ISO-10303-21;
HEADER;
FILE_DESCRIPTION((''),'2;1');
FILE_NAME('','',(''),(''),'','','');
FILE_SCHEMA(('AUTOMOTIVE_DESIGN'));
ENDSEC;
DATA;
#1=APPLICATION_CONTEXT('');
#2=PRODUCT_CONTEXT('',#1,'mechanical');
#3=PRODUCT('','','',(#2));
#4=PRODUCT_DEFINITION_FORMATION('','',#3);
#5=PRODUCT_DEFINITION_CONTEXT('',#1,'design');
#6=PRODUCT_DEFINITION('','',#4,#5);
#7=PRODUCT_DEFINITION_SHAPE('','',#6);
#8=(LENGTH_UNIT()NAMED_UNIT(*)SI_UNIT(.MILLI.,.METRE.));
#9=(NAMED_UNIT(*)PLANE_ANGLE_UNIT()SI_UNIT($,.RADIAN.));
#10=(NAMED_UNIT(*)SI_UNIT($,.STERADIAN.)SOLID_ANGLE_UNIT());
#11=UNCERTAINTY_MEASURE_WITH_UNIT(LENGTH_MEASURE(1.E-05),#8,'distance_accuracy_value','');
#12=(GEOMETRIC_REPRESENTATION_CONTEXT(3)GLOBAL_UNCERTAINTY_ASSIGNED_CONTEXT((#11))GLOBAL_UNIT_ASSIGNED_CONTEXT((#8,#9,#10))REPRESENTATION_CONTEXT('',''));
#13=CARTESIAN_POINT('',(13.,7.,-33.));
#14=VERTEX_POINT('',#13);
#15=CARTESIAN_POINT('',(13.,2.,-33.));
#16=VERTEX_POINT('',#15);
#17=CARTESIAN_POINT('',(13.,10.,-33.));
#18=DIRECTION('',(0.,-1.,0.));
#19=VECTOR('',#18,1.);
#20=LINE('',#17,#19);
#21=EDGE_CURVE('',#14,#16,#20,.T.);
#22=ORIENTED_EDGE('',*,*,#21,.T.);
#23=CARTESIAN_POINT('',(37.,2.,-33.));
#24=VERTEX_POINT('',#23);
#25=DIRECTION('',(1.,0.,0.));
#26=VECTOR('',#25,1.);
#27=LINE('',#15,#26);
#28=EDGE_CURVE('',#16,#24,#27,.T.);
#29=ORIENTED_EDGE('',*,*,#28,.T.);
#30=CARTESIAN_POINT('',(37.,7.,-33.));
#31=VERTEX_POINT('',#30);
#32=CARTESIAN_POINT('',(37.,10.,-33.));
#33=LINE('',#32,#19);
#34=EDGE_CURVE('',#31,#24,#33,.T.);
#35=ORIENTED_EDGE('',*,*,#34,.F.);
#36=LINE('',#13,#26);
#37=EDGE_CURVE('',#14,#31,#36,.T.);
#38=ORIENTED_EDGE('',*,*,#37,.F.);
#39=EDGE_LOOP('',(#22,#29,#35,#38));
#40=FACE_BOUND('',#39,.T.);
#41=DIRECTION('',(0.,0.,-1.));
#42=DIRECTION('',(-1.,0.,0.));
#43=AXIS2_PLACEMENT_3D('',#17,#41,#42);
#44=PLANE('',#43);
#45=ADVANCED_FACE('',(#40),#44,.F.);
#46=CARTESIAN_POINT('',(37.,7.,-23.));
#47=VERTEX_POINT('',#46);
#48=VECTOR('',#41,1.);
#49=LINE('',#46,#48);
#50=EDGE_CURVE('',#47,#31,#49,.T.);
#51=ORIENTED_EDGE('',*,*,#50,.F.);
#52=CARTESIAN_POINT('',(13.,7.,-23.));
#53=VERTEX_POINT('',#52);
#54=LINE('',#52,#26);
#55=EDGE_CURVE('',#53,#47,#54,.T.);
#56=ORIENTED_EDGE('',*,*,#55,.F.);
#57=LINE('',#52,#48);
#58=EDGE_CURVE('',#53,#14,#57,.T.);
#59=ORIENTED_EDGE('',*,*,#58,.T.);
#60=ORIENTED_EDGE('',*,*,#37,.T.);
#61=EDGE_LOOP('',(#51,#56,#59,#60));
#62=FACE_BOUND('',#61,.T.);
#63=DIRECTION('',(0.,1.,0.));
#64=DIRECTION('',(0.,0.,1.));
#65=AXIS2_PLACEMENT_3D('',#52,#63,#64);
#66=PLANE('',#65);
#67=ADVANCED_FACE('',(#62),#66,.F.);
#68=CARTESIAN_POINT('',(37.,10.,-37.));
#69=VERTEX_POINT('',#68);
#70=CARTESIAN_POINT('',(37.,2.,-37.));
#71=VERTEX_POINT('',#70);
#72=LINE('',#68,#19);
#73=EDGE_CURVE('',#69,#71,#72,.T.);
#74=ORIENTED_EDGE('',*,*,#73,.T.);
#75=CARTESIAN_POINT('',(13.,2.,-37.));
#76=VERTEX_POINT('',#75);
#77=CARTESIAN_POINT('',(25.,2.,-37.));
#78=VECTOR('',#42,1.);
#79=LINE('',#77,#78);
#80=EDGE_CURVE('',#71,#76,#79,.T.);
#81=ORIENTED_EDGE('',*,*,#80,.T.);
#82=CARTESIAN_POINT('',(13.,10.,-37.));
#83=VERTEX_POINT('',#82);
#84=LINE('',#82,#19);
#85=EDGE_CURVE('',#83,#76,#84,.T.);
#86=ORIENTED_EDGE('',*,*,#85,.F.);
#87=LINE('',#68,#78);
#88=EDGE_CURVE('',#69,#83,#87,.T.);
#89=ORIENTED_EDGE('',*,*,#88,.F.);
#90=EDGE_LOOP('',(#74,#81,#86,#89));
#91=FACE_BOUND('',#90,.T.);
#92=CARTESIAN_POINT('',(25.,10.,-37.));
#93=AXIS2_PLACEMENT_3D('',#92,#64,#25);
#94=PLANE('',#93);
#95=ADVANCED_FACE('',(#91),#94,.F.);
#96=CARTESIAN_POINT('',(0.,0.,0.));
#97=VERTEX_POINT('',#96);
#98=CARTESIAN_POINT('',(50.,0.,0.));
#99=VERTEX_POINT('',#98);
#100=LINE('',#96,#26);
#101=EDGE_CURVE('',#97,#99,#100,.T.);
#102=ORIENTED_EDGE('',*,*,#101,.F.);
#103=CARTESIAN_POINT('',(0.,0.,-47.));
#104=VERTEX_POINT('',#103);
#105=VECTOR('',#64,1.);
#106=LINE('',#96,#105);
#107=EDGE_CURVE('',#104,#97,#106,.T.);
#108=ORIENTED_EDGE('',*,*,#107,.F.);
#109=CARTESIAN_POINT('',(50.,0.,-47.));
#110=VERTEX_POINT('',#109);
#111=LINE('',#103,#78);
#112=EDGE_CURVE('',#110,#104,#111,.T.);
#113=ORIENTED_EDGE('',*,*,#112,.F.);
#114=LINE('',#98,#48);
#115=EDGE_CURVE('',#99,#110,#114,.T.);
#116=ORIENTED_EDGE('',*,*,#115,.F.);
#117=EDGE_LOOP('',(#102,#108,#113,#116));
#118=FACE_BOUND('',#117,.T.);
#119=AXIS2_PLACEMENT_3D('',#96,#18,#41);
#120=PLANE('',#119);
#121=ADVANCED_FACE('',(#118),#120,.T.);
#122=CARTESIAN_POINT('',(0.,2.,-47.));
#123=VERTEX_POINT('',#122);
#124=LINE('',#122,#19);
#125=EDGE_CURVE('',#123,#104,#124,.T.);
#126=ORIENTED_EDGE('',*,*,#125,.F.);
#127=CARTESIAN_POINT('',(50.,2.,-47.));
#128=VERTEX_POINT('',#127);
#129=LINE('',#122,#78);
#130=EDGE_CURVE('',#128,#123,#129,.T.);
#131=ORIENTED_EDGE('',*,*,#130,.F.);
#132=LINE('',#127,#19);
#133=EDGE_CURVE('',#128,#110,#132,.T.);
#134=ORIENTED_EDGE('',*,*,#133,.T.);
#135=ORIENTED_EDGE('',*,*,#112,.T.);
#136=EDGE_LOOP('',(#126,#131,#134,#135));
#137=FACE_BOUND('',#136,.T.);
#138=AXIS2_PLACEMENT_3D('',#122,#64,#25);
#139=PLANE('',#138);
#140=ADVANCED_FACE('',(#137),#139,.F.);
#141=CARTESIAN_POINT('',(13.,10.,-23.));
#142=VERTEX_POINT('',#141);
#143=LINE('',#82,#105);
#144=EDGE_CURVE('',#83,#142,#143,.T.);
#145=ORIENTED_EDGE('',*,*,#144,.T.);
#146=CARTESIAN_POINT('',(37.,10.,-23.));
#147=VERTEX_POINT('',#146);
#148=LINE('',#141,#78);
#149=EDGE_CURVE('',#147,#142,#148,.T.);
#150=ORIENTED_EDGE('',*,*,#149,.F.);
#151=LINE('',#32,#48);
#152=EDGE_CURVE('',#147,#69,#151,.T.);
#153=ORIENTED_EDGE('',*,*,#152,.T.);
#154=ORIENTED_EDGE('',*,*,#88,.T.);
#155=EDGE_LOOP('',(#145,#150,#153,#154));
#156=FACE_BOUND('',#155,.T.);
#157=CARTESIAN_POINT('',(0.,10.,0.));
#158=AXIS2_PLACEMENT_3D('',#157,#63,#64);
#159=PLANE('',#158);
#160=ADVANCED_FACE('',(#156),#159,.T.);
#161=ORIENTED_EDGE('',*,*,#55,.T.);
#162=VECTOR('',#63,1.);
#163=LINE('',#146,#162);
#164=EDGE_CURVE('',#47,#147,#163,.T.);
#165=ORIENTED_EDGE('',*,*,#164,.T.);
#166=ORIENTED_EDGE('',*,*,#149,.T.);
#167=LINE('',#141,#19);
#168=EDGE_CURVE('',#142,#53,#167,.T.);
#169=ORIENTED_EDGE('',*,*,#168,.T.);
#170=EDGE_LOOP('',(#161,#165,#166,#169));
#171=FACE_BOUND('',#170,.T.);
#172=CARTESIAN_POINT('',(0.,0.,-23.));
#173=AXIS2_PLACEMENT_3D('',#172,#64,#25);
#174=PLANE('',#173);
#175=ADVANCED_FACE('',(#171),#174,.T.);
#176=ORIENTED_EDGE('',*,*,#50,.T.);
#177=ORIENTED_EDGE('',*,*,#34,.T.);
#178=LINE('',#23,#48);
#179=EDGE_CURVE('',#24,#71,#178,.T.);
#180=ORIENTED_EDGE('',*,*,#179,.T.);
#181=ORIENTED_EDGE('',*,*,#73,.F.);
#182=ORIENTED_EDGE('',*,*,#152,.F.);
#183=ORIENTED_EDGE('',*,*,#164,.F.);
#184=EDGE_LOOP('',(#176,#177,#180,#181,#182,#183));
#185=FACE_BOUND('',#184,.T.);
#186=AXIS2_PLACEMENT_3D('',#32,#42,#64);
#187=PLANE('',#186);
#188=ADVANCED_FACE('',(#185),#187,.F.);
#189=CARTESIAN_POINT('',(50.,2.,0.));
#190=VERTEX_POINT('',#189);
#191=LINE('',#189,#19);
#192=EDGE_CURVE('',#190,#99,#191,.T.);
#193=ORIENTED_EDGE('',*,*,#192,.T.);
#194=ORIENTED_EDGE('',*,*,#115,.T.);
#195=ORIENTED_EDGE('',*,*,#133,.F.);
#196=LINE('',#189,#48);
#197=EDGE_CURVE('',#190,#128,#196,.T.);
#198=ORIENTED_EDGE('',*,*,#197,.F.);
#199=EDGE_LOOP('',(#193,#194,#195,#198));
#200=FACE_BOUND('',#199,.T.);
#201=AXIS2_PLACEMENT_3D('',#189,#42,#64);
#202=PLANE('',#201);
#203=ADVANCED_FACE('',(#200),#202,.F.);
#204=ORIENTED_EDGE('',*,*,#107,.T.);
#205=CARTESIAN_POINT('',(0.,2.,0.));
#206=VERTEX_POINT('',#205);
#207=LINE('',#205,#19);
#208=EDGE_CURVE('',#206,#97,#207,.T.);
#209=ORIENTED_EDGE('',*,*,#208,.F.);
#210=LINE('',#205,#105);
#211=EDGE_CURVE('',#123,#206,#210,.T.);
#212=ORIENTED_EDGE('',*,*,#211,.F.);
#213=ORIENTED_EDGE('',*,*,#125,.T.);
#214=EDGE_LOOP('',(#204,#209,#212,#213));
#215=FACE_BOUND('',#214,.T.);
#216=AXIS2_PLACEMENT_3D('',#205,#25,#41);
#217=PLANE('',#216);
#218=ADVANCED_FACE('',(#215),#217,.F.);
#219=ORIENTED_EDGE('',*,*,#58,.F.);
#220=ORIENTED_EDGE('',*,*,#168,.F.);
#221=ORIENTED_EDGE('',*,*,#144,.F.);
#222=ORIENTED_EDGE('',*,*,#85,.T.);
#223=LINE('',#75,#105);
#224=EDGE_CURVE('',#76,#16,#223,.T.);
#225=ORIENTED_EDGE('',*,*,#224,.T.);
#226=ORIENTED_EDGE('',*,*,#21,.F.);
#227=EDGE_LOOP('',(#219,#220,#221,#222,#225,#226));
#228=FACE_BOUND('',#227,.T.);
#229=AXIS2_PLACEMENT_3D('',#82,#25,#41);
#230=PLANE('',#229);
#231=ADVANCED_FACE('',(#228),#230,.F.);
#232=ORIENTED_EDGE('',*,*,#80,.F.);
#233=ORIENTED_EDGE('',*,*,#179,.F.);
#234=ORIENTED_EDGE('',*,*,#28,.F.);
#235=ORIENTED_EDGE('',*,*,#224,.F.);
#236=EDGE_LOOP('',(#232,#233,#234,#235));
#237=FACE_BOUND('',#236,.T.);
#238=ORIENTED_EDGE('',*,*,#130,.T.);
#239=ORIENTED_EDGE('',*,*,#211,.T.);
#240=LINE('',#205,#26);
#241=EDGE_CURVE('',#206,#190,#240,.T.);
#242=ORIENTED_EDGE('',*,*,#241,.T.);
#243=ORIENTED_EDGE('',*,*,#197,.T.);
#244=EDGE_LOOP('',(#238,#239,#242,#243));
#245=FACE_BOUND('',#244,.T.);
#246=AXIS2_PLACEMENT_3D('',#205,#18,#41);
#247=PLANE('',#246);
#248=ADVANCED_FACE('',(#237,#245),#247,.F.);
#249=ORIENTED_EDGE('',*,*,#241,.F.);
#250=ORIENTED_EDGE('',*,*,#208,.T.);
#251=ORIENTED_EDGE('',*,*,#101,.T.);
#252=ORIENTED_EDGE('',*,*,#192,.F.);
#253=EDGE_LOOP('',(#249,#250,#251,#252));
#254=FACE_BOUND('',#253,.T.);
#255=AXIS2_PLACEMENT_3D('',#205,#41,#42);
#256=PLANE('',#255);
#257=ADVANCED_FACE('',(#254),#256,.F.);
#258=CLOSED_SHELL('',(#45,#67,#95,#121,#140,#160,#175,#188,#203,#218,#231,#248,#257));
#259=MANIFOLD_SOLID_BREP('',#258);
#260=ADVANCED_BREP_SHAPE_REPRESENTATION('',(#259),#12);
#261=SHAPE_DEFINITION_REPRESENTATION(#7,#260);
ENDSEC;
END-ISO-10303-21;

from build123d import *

# Parameters (mm, degrees)
SKETCH_1_W      = 50
SKETCH_1_H      = 47
EXTRUDE_1_DEPTH = 2
EXTRUDE_2_DEPTH = 8
SKETCH_3_W      = 24
SKETCH_3_H      = 3
EXTRUDE_3_DEPTH = 10


with BuildPart() as part:
    # Эскиз1 → Бобышка-Вытянуть1 (new body)
    with BuildSketch(Plane(origin=(0, 0, 0), x_dir=(1, 0, 0), z_dir=(0, 1, 0))):
        with Locations((25, 23.5)):
            Rectangle(SKETCH_1_W, SKETCH_1_H)
    extrude(amount=EXTRUDE_1_DEPTH)

    # Эскиз2 → Бобышка-Вытянуть2 (add)
    with BuildSketch(Plane(origin=(0, 2, 0), x_dir=(1, 0, 0), z_dir=(0, 1, 0))):
        Polygon((25, 37), (13, 37), (13, 33), (37, 33), (37, 37), align=None)
    extrude(amount=EXTRUDE_2_DEPTH)

    # Эскиз3 → Бобышка-Вытянуть3 (add)
    with BuildSketch(Plane.XY.offset(-33)):
        with Locations((25, 8.5)):
            Rectangle(SKETCH_3_W, SKETCH_3_H)
    extrude(amount=EXTRUDE_3_DEPTH)


solid = part.part
